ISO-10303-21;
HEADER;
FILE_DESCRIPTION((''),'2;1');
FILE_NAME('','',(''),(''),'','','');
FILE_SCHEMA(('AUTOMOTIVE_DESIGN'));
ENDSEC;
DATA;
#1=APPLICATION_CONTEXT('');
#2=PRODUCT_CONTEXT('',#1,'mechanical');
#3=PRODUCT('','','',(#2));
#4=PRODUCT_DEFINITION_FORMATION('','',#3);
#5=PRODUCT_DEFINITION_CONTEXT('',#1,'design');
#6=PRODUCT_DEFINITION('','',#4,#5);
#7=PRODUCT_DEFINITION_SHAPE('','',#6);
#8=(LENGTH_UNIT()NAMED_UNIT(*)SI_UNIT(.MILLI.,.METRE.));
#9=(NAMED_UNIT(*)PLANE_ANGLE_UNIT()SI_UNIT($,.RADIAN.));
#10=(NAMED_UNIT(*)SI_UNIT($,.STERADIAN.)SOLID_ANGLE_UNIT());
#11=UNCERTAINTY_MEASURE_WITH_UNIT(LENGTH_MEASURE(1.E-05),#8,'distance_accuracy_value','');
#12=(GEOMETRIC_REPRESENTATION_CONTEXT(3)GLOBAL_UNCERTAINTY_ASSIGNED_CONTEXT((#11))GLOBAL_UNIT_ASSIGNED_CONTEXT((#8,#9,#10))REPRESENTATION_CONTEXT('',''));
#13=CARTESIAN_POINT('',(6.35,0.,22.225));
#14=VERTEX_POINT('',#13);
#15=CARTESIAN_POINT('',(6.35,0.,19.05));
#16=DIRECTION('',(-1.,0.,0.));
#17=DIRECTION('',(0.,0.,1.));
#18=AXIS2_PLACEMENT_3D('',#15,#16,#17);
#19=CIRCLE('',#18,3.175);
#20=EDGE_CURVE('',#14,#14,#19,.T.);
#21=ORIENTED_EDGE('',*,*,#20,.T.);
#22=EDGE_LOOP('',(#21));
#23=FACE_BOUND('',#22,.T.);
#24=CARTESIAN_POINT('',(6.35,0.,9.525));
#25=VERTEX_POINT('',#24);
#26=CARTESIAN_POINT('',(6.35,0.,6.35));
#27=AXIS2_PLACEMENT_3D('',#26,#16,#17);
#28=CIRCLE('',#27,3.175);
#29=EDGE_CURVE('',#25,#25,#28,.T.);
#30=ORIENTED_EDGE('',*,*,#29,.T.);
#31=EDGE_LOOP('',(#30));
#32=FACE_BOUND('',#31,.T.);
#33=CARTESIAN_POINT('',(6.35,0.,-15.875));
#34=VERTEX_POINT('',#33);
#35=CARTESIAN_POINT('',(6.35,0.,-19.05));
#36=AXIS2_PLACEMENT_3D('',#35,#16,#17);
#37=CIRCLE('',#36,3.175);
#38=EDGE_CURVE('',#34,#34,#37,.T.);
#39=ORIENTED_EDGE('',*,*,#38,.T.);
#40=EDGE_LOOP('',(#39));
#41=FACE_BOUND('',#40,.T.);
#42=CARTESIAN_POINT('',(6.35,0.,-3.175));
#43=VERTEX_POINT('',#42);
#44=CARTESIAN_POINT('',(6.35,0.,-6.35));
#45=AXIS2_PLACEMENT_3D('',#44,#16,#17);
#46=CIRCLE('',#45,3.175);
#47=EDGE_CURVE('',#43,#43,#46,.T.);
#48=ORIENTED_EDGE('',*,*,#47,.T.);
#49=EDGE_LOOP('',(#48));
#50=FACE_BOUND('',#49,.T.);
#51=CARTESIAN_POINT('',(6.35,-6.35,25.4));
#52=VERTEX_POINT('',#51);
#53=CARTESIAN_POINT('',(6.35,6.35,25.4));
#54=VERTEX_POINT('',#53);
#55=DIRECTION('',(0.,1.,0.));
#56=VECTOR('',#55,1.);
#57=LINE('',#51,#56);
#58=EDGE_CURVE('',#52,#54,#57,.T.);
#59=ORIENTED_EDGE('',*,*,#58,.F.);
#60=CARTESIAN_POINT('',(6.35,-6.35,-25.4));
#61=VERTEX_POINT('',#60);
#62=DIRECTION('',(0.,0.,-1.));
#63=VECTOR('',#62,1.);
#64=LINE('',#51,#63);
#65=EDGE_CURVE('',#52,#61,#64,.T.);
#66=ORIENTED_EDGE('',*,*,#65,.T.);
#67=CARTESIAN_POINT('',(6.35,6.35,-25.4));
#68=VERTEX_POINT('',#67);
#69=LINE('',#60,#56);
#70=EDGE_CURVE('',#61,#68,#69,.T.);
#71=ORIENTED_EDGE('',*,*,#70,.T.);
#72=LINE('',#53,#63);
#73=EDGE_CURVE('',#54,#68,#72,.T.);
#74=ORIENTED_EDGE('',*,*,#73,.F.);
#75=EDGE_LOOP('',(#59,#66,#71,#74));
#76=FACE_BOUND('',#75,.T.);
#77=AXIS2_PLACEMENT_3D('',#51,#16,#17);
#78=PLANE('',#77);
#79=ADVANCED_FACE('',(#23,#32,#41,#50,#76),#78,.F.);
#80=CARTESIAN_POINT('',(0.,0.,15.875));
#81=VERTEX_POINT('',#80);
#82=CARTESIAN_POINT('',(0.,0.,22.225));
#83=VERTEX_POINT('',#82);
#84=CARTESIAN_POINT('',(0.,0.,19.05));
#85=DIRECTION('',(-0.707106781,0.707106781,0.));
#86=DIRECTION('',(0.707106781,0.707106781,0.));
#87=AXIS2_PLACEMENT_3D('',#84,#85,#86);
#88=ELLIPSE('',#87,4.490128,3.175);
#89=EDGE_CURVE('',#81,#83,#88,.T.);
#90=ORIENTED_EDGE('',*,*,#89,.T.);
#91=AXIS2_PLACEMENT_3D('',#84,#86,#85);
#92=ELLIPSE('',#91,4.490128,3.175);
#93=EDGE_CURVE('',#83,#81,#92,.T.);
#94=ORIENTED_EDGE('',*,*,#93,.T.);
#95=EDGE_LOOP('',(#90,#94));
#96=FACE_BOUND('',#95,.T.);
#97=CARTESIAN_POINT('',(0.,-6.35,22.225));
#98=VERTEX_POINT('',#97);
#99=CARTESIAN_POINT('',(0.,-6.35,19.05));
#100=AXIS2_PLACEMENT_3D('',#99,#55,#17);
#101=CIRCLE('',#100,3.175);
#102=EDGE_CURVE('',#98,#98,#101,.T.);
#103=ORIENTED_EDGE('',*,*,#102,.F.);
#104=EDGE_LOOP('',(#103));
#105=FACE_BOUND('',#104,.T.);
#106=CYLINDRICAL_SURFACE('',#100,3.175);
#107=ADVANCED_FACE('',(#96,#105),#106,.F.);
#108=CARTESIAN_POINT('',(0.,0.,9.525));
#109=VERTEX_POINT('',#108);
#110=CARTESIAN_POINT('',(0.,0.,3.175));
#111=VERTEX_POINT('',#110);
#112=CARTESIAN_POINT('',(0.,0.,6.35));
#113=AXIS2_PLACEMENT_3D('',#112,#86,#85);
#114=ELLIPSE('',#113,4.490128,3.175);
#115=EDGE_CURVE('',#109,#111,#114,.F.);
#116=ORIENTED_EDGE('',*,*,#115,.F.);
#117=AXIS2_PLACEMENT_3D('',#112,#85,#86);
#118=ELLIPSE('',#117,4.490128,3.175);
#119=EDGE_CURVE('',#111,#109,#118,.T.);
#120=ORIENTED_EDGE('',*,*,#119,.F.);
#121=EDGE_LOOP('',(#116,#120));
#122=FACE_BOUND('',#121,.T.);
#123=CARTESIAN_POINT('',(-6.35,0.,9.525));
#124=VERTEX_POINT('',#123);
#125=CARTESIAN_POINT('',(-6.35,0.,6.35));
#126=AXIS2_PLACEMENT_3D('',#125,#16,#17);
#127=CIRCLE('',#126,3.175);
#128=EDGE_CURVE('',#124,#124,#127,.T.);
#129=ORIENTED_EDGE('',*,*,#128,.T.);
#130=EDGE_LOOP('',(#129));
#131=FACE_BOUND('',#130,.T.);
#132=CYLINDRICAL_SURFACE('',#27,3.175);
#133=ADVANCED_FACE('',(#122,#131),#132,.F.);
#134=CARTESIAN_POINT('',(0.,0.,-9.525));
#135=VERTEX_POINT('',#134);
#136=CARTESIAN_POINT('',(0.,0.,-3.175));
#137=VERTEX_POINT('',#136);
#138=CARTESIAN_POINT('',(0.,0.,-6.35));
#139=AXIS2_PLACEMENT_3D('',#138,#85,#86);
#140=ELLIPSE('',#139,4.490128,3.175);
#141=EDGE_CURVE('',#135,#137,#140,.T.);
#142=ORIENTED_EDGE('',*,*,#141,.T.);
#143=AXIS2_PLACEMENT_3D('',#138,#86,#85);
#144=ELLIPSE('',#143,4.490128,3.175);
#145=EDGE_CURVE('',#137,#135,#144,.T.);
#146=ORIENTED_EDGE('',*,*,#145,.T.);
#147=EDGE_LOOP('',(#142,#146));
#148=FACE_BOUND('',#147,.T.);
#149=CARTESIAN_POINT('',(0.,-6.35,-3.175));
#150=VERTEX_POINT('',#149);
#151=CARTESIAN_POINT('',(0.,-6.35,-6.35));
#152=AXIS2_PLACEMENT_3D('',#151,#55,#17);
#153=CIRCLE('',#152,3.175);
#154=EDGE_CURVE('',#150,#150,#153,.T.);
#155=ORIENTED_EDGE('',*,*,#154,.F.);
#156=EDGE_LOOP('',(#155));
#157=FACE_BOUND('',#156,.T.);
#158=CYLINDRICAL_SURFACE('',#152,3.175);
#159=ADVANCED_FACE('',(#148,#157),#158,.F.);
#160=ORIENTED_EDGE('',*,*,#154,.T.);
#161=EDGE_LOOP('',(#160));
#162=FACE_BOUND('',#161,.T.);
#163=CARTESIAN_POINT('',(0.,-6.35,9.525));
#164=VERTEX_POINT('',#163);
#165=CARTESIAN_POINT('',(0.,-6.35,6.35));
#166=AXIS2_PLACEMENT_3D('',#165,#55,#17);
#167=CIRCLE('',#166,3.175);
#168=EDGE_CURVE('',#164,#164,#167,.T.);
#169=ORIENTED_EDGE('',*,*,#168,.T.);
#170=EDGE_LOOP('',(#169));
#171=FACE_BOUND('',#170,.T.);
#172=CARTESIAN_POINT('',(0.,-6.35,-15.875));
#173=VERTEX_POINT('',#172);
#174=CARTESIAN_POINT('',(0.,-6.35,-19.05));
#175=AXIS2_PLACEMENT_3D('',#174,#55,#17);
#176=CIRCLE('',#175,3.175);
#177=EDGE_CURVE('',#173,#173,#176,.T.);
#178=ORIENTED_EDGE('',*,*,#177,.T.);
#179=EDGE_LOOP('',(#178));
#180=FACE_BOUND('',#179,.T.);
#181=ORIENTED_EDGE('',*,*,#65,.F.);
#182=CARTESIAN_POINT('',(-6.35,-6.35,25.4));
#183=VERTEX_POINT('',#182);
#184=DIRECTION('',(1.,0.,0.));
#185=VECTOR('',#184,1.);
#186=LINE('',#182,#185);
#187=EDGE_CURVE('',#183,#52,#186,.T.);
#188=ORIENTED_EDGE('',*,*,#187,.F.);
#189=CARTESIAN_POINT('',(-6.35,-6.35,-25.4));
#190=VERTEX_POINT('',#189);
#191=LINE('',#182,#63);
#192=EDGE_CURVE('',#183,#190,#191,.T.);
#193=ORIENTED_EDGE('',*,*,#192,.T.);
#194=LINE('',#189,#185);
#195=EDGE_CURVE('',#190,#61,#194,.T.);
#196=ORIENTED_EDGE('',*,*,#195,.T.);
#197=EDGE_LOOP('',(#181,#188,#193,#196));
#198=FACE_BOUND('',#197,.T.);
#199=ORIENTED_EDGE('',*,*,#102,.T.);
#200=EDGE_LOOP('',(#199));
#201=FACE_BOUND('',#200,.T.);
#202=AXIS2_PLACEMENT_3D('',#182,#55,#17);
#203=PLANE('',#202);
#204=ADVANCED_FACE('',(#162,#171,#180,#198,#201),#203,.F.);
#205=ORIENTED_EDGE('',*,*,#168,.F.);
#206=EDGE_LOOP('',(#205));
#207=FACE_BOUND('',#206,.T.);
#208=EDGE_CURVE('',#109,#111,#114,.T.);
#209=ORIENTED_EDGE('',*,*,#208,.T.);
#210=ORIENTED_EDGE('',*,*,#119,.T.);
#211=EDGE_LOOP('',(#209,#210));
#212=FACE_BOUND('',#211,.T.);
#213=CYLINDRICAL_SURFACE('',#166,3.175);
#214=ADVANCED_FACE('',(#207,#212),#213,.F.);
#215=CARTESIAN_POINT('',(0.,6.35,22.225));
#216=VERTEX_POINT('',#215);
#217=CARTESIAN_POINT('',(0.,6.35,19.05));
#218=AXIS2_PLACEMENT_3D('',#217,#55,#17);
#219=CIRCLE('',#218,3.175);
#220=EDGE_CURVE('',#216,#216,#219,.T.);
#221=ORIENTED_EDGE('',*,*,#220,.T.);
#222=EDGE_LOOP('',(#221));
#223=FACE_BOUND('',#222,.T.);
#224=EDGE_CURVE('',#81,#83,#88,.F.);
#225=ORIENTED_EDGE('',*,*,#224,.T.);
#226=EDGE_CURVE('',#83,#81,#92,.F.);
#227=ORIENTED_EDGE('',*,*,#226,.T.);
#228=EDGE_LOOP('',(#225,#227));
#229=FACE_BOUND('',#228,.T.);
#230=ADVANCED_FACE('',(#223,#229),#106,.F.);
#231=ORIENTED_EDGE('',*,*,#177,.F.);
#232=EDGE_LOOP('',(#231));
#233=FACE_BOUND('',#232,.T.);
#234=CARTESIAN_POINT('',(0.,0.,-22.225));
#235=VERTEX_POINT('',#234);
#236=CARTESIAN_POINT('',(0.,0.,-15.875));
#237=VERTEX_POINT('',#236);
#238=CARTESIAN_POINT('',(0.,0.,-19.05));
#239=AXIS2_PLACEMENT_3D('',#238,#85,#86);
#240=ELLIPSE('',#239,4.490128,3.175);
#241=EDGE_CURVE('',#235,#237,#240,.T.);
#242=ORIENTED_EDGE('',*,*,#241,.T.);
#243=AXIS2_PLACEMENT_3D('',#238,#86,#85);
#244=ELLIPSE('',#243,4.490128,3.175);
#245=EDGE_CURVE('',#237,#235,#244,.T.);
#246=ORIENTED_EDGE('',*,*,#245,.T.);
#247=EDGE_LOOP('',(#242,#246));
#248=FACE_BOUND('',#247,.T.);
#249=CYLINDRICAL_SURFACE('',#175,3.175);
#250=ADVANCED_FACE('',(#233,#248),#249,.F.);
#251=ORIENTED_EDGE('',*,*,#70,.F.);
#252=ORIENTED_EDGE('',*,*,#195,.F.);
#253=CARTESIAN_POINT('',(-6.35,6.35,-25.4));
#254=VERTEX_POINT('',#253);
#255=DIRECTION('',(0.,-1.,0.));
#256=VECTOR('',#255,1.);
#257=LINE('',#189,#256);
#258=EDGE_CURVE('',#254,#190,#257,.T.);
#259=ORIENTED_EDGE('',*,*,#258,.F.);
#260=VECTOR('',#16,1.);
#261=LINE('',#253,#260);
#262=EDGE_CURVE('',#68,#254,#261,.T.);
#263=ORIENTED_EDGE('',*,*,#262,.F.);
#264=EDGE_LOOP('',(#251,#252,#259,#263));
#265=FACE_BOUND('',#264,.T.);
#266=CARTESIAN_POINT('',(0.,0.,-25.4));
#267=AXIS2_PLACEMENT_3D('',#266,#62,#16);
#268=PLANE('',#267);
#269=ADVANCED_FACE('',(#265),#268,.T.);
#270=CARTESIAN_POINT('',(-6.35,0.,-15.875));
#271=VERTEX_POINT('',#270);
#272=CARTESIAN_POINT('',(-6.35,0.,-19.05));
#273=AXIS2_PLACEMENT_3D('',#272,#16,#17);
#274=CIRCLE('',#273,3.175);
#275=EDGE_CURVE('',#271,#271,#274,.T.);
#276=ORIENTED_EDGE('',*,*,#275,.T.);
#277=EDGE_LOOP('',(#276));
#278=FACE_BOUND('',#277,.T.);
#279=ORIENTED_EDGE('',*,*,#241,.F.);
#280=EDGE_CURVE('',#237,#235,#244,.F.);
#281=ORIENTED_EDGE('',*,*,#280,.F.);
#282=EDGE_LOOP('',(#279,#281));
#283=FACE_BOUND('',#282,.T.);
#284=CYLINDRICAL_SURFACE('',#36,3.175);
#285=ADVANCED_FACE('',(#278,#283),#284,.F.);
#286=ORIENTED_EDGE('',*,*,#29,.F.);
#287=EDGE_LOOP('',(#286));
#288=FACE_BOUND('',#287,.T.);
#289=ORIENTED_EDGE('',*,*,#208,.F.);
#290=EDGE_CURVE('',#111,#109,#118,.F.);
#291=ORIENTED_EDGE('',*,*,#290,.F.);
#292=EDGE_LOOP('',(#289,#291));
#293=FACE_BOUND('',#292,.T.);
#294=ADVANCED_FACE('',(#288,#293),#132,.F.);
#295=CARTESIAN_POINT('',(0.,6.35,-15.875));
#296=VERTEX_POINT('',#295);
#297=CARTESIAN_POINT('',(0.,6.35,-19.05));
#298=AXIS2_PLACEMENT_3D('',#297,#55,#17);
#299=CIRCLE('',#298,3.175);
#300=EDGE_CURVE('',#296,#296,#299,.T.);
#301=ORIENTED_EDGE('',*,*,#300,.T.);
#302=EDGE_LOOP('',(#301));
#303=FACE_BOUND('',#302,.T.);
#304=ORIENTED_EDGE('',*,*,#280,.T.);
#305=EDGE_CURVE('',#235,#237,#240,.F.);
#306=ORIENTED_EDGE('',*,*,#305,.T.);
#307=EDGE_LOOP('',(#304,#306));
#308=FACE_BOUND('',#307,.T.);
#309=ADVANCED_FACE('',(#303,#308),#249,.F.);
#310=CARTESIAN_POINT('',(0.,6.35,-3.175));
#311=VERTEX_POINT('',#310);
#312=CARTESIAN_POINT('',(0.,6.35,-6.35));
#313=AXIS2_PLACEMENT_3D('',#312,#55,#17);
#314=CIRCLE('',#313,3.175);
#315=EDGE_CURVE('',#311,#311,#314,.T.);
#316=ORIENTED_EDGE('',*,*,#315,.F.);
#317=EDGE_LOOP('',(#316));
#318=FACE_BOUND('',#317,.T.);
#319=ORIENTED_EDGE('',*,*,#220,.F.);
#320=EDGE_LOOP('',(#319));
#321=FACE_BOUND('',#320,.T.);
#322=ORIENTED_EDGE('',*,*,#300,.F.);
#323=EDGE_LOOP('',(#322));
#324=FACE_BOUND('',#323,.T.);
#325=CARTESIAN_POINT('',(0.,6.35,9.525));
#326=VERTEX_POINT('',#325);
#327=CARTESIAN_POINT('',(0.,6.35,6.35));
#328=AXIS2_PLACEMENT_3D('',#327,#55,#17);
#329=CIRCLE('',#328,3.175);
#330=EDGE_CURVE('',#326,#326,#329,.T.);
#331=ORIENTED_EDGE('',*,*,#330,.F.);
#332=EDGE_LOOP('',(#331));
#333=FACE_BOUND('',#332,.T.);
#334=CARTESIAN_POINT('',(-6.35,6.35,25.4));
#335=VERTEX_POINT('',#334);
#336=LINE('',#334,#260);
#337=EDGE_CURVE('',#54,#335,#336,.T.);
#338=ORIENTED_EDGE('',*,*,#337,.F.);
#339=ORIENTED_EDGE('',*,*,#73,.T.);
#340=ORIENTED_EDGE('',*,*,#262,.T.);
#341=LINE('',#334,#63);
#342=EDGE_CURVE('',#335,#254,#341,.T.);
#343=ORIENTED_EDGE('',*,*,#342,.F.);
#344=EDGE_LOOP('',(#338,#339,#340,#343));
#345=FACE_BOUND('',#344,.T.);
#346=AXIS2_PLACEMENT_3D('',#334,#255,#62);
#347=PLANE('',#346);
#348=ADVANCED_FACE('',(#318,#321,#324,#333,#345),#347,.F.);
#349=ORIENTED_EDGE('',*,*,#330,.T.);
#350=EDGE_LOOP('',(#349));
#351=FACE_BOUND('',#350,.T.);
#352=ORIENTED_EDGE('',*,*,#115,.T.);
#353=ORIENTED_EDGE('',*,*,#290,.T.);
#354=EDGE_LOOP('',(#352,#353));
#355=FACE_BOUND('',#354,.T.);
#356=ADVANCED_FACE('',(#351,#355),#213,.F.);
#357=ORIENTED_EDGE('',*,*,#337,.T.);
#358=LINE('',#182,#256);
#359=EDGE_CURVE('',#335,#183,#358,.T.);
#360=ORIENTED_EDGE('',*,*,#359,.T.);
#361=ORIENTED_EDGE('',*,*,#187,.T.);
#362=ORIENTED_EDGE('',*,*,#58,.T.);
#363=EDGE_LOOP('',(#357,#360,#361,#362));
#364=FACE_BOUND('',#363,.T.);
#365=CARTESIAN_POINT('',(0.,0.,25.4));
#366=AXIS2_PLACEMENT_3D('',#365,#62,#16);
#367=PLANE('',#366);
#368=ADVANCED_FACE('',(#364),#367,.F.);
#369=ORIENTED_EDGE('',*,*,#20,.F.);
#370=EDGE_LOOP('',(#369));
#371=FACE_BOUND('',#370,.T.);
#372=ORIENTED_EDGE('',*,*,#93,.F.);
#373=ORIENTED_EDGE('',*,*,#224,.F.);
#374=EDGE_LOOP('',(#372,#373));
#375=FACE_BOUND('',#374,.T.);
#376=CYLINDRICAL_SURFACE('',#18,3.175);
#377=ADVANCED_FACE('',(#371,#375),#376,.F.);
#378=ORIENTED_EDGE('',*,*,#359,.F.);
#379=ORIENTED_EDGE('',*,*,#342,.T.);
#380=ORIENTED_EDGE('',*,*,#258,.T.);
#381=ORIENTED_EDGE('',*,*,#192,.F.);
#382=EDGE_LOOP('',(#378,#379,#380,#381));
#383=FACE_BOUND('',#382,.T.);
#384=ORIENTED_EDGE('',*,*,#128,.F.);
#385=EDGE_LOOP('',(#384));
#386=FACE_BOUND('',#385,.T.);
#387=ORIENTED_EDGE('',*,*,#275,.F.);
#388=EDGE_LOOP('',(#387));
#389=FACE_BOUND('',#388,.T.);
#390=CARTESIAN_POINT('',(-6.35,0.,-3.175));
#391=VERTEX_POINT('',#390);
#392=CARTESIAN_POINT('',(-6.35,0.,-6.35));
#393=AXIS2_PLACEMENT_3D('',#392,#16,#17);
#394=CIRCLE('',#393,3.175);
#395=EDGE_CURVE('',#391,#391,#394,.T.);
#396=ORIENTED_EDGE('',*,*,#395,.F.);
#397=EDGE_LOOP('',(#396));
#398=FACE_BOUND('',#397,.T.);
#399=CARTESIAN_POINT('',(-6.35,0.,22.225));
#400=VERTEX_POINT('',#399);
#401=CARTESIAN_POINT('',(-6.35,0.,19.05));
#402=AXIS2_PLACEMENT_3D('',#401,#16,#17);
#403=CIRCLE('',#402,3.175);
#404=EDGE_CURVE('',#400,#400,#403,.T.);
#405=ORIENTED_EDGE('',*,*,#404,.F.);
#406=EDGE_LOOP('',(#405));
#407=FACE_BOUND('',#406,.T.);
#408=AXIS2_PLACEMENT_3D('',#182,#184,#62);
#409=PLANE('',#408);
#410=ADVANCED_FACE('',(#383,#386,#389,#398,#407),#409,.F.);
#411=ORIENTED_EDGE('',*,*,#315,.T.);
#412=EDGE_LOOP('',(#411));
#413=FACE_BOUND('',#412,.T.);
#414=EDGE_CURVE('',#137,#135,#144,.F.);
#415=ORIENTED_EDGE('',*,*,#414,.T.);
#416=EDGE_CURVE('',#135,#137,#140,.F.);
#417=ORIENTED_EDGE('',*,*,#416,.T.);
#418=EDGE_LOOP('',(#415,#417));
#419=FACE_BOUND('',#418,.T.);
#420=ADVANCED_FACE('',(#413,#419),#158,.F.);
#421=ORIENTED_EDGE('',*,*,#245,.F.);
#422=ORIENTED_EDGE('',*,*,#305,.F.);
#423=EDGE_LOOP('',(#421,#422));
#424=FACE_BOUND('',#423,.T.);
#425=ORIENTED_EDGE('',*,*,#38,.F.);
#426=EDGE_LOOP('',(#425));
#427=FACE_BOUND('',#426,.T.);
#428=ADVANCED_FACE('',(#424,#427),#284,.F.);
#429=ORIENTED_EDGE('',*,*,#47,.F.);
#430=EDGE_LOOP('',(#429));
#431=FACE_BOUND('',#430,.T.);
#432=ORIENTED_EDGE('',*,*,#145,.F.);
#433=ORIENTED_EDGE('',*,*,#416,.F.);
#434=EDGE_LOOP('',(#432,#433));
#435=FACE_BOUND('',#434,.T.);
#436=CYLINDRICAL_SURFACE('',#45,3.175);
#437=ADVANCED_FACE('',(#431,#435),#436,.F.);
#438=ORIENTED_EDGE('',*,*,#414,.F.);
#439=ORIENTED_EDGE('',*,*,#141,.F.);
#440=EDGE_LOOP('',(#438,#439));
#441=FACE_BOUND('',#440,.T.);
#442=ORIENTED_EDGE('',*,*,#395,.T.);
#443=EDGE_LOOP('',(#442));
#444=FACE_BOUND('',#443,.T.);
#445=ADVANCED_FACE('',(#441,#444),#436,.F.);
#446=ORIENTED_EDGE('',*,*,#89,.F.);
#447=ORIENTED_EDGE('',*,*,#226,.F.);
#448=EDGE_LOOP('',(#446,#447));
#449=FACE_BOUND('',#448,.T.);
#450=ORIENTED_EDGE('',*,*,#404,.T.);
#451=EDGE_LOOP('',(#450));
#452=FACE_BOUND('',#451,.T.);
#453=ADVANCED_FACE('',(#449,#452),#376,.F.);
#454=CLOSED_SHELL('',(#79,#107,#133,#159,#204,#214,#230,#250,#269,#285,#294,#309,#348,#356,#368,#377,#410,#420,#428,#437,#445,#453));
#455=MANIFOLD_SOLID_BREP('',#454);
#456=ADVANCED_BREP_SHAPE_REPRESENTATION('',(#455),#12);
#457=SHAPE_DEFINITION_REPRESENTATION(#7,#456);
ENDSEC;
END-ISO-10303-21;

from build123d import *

# Parameters (mm, degrees)
SKETCH1_W           = 12.7
SKETCH1_H           = 12.7
BOSS_EXTRUDE1_DEPTH = 25.4
SKETCH2_R           = 3.175
CUT_EXTRUDE1_DEPTH  = 30.099355663
SKETCH4_R           = 3.175
CUT_EXTRUDE2_DEPTH  = 30.099355663


with BuildPart() as part:
    # Sketch1 → Boss-Extrude1 (new, symmetric)
    with BuildSketch(Plane.XY):
        Rectangle(SKETCH1_W, SKETCH1_H)
    extrude(amount=BOSS_EXTRUDE1_DEPTH, both=True)

    # Sketch2 → Cut-Extrude1 (cut, through all)
    with BuildSketch(Plane(origin=(0, 6.35, 0), x_dir=(1, 0, 0), z_dir=(0, 1, 0))):
        with Locations(Location((0, 19.05, 0), (0, 0, 270))):
            Circle(SKETCH2_R)
        with Locations(Location((0, 6.35, 0), (0, 0, 270))):
            Circle(SKETCH2_R)
        with Locations(Location((0, -6.35, 0), (0, 0, 270))):
            Circle(SKETCH2_R)
        with Locations(Location((0, -19.05, 0), (0, 0, 270))):
            Circle(SKETCH2_R)
        with Locations((0, -31.75)):
            Circle(SKETCH2_R)
        with Locations((0, -44.45)):
            Circle(SKETCH2_R)
    extrude(amount=-CUT_EXTRUDE1_DEPTH, mode=Mode.SUBTRACT)

    # Sketch4 → Cut-Extrude2 (cut, through all)
    with BuildSketch(Plane.ZY.offset(6.35)):
        with Locations((19.05, 0)):
            Circle(SKETCH4_R)
        with Locations((6.35, 0)):
            Circle(SKETCH4_R)
        with Locations((-6.35, 0)):
            Circle(SKETCH4_R)
        with Locations((-19.05, 0)):
            Circle(SKETCH4_R)
        with Locations((-31.75, 0)):
            Circle(SKETCH4_R)
        with Locations((-44.45, 0)):
            Circle(SKETCH4_R)
    extrude(amount=-CUT_EXTRUDE2_DEPTH, mode=Mode.SUBTRACT)


solid = part.part
